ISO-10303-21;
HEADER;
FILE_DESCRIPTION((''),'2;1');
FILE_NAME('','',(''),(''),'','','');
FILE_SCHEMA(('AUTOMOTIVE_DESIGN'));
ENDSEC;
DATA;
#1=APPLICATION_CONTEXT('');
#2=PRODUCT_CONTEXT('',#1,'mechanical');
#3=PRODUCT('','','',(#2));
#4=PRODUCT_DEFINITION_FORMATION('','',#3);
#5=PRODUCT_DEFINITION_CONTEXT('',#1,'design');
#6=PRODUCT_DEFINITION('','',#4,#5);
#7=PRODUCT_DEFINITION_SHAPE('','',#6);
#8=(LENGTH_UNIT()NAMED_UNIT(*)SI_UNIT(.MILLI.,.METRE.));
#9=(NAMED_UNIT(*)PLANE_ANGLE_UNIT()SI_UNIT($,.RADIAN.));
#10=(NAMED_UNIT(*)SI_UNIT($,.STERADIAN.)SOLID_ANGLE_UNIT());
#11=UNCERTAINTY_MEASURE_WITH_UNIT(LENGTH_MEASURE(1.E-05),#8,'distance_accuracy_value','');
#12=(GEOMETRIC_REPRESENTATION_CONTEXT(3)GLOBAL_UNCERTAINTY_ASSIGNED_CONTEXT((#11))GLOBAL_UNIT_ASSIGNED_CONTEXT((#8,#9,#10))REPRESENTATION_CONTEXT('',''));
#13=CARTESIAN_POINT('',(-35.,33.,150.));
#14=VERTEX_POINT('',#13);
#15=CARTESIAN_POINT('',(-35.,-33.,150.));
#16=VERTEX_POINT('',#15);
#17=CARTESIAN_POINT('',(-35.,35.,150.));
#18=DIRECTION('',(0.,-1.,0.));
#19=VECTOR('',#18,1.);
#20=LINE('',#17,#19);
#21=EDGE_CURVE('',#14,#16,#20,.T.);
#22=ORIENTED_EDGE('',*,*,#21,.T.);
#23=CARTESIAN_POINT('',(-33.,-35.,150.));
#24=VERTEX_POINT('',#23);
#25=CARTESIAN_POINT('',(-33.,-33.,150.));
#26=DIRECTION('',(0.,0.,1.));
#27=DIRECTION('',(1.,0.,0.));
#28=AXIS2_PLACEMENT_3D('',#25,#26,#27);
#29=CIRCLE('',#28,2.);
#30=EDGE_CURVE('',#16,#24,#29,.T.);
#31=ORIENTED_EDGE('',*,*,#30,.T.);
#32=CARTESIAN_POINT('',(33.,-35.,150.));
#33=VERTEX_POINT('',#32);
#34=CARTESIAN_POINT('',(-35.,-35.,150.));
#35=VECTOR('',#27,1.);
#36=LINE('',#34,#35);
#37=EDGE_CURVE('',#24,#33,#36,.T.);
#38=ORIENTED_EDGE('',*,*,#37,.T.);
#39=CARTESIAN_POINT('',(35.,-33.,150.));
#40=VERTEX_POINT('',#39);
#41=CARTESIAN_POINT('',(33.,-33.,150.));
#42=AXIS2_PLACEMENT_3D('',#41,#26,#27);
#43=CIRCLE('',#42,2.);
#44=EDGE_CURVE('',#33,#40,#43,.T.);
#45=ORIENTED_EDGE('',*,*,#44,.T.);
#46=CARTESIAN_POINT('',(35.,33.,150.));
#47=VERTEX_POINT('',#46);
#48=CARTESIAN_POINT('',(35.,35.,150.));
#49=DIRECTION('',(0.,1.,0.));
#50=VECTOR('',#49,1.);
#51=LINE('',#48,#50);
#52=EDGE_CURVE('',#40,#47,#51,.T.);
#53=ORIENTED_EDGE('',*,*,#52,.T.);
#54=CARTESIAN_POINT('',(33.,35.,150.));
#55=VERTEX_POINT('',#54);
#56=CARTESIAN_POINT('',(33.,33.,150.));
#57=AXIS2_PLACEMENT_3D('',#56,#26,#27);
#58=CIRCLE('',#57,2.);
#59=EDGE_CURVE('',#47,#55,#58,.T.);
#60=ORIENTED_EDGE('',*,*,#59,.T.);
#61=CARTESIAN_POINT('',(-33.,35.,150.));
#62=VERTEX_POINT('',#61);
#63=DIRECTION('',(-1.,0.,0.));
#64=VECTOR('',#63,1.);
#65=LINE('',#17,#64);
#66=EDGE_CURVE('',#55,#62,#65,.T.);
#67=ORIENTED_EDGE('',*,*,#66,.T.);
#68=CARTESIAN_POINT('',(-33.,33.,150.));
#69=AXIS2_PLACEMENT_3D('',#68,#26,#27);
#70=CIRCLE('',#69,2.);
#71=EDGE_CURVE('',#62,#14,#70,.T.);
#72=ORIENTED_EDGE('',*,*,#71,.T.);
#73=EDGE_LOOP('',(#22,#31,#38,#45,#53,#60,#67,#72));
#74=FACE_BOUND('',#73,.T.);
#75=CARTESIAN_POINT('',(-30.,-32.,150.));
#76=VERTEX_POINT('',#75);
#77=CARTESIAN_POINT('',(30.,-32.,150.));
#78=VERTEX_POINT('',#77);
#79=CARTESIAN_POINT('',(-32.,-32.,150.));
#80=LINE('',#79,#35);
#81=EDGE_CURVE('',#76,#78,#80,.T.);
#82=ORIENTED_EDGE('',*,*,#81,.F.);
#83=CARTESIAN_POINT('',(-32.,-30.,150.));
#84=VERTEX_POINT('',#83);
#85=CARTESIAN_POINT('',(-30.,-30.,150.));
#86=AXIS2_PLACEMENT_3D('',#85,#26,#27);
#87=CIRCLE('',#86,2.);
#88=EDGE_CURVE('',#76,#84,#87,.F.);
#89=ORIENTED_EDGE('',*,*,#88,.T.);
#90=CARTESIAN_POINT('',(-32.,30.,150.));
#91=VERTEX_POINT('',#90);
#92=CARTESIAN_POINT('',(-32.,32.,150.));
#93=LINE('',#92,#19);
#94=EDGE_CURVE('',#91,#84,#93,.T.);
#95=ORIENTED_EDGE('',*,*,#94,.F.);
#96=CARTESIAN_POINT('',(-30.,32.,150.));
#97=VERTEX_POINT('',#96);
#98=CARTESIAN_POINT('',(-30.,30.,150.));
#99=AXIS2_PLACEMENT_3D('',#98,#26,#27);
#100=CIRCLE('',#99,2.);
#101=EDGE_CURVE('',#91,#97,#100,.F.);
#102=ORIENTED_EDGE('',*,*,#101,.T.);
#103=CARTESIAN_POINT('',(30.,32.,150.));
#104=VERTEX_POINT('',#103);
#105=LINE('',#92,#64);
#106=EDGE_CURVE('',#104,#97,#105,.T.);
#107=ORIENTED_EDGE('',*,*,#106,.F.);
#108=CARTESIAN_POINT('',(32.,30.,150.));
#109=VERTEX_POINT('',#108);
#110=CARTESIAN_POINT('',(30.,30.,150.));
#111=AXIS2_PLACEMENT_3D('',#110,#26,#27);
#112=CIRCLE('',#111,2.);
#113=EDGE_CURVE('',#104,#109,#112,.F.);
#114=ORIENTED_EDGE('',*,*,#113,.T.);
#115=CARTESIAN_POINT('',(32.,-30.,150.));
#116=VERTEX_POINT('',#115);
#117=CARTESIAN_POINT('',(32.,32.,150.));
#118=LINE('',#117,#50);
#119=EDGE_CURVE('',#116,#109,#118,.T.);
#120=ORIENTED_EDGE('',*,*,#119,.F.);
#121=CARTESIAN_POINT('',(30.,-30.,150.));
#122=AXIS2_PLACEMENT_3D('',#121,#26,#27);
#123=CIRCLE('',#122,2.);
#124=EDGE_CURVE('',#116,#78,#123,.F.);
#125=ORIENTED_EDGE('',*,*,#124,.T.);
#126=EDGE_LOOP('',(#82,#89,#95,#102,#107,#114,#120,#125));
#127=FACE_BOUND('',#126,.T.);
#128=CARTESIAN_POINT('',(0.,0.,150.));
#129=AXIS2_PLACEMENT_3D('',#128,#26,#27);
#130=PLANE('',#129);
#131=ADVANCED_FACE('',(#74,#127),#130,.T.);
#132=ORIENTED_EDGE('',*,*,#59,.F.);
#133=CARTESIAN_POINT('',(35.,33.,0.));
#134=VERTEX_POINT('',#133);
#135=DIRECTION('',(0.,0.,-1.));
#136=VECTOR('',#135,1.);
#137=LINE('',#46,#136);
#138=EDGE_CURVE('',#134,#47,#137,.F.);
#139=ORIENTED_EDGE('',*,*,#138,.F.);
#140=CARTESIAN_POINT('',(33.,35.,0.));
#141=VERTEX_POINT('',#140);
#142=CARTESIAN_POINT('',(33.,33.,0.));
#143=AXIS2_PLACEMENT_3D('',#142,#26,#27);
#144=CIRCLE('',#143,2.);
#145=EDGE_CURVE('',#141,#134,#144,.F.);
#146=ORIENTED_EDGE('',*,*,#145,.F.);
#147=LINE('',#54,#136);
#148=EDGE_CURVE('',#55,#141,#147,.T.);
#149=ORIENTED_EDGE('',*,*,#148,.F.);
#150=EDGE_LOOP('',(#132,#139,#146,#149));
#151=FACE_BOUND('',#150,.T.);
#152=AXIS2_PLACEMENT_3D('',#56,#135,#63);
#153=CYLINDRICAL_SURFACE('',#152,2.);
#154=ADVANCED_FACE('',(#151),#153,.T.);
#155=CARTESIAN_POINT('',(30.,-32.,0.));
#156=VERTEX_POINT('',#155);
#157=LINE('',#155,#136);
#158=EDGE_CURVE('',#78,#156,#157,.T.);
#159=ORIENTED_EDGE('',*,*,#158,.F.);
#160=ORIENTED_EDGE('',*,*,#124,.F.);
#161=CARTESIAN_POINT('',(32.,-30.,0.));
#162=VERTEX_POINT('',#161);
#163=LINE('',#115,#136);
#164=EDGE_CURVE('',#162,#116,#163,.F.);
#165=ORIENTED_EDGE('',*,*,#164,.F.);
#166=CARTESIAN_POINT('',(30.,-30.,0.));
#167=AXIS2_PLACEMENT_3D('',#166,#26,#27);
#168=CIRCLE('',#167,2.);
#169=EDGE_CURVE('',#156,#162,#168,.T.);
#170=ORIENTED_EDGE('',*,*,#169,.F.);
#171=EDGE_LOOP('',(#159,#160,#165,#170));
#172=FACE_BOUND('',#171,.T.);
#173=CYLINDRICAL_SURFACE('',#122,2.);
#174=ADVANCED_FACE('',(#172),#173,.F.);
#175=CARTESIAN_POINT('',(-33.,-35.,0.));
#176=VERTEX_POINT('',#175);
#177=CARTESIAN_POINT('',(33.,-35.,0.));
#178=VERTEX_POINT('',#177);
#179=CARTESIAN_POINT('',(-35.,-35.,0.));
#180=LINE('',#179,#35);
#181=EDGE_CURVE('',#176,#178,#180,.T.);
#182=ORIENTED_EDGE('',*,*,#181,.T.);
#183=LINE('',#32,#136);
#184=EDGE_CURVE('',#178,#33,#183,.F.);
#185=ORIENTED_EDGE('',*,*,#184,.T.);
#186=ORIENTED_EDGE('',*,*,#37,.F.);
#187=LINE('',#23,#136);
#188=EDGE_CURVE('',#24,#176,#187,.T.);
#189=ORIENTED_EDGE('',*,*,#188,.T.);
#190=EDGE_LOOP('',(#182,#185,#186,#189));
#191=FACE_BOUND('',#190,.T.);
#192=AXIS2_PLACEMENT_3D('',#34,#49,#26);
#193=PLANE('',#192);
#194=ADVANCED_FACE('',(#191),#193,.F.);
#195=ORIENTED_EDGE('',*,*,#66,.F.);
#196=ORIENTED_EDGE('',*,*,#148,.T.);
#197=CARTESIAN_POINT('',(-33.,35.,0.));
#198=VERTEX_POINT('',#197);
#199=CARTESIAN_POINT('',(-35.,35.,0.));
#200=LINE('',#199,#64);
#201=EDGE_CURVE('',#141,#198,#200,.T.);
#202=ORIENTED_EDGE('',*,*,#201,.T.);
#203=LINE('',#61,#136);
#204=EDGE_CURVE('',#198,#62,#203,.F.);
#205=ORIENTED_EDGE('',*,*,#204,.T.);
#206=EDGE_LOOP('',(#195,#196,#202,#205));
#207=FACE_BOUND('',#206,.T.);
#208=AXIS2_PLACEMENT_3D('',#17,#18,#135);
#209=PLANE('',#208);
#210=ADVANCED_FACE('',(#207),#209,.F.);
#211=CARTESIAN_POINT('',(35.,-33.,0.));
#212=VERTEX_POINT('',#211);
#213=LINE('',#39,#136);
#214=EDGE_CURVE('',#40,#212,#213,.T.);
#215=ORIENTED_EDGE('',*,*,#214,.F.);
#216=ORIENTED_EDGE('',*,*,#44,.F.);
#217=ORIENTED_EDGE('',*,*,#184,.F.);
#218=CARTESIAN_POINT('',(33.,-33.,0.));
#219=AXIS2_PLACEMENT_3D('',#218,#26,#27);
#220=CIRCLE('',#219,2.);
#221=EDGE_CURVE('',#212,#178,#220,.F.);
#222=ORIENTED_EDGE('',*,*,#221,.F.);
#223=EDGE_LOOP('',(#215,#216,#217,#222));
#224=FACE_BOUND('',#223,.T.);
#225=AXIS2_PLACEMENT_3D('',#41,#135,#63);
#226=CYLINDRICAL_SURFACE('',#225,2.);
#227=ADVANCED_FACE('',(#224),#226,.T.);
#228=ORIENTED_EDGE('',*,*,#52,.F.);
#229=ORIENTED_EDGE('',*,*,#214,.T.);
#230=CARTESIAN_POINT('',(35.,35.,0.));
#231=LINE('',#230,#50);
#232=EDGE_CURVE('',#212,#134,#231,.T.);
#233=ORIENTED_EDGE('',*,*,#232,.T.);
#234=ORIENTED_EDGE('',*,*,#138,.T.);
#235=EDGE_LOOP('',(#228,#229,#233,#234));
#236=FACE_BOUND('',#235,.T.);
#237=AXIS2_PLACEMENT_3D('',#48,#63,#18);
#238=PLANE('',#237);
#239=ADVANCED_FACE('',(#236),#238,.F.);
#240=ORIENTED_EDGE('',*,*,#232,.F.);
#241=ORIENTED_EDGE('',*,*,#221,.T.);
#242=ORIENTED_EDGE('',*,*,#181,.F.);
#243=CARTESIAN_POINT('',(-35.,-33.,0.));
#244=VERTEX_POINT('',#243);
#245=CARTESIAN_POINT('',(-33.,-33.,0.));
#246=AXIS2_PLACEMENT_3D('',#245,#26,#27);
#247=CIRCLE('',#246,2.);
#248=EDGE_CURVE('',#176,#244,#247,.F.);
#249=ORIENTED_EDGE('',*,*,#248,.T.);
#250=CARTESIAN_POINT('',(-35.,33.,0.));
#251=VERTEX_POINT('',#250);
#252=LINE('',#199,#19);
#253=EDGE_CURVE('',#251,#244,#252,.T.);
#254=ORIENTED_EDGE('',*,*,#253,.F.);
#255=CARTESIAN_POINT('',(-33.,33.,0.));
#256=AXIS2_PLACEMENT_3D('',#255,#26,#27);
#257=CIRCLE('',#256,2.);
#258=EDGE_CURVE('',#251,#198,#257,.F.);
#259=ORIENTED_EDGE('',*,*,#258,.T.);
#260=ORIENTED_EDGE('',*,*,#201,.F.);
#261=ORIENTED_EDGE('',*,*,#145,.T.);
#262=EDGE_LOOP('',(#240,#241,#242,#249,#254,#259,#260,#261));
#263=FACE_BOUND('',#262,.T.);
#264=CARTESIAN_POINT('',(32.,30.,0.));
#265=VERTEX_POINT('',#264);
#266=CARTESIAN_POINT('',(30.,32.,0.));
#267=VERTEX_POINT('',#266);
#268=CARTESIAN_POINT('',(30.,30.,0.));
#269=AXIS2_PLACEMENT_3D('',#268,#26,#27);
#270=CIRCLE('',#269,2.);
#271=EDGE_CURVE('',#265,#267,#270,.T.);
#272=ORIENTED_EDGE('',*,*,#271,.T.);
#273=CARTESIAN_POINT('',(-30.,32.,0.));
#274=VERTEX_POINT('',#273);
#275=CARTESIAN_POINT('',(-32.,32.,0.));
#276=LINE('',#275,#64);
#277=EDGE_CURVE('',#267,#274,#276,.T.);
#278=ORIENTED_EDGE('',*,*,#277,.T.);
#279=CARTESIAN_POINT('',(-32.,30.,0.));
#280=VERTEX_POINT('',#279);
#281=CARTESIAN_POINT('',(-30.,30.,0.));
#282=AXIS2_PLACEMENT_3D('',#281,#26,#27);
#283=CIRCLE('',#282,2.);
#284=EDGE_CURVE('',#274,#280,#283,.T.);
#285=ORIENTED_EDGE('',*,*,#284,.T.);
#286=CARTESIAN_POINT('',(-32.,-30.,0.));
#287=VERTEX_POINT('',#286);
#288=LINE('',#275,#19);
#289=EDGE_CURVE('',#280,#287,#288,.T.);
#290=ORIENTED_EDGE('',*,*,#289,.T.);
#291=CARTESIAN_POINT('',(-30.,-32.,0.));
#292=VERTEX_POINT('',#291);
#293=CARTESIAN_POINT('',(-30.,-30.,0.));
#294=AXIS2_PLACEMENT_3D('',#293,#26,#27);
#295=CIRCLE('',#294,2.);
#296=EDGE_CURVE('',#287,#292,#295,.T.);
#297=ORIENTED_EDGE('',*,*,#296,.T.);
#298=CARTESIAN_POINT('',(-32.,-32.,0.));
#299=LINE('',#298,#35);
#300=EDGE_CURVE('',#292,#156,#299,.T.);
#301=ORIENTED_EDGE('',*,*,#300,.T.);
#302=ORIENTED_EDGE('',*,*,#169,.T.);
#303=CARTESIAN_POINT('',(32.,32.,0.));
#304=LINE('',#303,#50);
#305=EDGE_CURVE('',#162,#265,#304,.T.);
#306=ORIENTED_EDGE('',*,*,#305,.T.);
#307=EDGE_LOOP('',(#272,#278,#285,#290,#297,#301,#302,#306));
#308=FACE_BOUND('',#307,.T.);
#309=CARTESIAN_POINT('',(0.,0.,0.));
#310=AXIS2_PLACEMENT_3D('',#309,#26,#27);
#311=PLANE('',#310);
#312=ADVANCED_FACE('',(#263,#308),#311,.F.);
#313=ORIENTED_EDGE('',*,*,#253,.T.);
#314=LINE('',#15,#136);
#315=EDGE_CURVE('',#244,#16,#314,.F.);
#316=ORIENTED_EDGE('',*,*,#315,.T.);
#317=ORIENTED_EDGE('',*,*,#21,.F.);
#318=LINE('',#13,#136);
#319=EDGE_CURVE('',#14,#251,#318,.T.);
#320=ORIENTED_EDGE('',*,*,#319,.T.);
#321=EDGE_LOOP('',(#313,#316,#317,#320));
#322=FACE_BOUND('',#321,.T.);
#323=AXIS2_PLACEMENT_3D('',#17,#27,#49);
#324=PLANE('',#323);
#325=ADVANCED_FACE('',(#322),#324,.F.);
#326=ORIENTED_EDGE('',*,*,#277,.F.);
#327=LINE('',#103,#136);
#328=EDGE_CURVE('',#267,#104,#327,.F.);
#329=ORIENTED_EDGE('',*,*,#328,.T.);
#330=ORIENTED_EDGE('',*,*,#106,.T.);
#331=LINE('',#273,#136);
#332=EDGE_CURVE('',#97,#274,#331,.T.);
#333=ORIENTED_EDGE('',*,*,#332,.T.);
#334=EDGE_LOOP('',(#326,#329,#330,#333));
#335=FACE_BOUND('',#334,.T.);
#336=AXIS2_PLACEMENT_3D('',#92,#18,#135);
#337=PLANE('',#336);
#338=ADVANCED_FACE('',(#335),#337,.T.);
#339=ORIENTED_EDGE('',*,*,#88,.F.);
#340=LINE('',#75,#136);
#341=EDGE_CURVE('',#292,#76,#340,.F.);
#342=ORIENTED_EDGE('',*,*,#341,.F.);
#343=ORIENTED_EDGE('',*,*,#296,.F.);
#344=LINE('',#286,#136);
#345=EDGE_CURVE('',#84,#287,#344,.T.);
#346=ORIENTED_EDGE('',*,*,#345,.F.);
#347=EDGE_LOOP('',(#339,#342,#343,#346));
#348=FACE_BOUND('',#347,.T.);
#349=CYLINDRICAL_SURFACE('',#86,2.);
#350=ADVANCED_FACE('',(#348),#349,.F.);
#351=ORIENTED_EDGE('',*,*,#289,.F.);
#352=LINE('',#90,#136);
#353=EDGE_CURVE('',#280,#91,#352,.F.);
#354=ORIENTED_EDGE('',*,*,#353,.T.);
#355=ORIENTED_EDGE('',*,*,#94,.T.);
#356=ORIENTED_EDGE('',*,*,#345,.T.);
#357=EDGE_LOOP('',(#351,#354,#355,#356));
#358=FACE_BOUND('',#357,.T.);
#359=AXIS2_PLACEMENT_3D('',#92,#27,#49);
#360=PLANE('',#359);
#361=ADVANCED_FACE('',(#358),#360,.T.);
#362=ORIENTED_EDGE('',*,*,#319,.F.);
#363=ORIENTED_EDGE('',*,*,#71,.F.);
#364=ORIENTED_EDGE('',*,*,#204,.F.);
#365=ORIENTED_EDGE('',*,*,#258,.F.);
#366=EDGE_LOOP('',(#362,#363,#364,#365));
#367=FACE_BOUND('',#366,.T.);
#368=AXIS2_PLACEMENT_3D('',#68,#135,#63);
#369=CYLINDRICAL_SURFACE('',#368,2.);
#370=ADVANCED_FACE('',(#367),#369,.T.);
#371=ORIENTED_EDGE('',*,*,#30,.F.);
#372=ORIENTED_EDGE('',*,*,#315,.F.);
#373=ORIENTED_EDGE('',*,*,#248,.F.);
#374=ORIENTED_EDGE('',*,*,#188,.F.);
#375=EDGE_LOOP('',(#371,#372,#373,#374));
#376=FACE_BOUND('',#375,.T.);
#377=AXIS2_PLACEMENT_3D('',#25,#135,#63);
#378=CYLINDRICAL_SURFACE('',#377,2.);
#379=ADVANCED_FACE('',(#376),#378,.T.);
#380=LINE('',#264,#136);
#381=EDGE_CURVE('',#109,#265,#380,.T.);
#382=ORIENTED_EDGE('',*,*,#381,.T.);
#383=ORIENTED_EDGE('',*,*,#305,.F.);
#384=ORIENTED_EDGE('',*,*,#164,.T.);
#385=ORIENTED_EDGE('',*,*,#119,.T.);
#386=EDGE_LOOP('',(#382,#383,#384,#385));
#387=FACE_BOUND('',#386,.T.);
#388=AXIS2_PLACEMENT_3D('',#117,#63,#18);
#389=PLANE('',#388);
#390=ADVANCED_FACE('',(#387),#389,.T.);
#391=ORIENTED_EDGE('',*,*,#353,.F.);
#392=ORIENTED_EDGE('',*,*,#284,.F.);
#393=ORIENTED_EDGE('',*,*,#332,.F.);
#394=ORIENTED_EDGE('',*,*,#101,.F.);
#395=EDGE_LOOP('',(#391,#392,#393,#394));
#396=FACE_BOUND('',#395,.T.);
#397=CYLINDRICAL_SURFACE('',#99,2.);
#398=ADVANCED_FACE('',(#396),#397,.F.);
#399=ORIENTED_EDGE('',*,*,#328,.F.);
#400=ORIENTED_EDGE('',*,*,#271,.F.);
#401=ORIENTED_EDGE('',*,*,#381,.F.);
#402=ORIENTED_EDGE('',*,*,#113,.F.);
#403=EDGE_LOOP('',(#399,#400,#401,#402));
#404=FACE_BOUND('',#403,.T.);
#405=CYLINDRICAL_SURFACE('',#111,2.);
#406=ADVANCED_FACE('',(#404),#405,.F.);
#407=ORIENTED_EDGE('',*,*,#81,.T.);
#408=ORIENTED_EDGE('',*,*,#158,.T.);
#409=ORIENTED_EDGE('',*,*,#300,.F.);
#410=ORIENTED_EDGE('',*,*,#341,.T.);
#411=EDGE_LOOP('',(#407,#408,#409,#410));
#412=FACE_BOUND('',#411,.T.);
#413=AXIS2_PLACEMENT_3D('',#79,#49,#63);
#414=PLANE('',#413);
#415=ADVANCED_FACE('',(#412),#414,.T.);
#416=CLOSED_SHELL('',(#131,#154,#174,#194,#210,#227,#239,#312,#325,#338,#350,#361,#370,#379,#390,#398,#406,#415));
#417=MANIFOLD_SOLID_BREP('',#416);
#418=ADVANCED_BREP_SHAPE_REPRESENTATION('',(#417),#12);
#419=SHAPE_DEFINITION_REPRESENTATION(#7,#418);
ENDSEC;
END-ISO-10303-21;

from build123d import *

# Parameters (mm, degrees)
SKETCH_1_W      = 70
SKETCH_1_H      = 70
SKETCH_1_W_2    = 64
SKETCH_1_H_2    = 64
EXTRUDE_1_DEPTH = 150
FILLET_1_R      = 2


with BuildPart() as part:
    # 草图1 → 凸台-拉伸1 (new body)
    with BuildSketch(Plane.XY):
        Rectangle(SKETCH_1_W, SKETCH_1_H)
        Rectangle(SKETCH_1_W_2, SKETCH_1_H_2, mode=Mode.SUBTRACT)
    extrude(amount=EXTRUDE_1_DEPTH)

    # 圆角1
    fillet_1_edges = [part.edges().sort_by_distance(p)[0] for p in [
        (32, -32, 75),
        (32, 32, 75),
        (-32, 32, 75),
        (-32, -32, 75),
        (35, -35, 75),
        (-35, -35, 75),
        (-35, 35, 75),
        (35, 35, 75),
    ]]
    fillet(fillet_1_edges, radius=FILLET_1_R)


solid = part.part
